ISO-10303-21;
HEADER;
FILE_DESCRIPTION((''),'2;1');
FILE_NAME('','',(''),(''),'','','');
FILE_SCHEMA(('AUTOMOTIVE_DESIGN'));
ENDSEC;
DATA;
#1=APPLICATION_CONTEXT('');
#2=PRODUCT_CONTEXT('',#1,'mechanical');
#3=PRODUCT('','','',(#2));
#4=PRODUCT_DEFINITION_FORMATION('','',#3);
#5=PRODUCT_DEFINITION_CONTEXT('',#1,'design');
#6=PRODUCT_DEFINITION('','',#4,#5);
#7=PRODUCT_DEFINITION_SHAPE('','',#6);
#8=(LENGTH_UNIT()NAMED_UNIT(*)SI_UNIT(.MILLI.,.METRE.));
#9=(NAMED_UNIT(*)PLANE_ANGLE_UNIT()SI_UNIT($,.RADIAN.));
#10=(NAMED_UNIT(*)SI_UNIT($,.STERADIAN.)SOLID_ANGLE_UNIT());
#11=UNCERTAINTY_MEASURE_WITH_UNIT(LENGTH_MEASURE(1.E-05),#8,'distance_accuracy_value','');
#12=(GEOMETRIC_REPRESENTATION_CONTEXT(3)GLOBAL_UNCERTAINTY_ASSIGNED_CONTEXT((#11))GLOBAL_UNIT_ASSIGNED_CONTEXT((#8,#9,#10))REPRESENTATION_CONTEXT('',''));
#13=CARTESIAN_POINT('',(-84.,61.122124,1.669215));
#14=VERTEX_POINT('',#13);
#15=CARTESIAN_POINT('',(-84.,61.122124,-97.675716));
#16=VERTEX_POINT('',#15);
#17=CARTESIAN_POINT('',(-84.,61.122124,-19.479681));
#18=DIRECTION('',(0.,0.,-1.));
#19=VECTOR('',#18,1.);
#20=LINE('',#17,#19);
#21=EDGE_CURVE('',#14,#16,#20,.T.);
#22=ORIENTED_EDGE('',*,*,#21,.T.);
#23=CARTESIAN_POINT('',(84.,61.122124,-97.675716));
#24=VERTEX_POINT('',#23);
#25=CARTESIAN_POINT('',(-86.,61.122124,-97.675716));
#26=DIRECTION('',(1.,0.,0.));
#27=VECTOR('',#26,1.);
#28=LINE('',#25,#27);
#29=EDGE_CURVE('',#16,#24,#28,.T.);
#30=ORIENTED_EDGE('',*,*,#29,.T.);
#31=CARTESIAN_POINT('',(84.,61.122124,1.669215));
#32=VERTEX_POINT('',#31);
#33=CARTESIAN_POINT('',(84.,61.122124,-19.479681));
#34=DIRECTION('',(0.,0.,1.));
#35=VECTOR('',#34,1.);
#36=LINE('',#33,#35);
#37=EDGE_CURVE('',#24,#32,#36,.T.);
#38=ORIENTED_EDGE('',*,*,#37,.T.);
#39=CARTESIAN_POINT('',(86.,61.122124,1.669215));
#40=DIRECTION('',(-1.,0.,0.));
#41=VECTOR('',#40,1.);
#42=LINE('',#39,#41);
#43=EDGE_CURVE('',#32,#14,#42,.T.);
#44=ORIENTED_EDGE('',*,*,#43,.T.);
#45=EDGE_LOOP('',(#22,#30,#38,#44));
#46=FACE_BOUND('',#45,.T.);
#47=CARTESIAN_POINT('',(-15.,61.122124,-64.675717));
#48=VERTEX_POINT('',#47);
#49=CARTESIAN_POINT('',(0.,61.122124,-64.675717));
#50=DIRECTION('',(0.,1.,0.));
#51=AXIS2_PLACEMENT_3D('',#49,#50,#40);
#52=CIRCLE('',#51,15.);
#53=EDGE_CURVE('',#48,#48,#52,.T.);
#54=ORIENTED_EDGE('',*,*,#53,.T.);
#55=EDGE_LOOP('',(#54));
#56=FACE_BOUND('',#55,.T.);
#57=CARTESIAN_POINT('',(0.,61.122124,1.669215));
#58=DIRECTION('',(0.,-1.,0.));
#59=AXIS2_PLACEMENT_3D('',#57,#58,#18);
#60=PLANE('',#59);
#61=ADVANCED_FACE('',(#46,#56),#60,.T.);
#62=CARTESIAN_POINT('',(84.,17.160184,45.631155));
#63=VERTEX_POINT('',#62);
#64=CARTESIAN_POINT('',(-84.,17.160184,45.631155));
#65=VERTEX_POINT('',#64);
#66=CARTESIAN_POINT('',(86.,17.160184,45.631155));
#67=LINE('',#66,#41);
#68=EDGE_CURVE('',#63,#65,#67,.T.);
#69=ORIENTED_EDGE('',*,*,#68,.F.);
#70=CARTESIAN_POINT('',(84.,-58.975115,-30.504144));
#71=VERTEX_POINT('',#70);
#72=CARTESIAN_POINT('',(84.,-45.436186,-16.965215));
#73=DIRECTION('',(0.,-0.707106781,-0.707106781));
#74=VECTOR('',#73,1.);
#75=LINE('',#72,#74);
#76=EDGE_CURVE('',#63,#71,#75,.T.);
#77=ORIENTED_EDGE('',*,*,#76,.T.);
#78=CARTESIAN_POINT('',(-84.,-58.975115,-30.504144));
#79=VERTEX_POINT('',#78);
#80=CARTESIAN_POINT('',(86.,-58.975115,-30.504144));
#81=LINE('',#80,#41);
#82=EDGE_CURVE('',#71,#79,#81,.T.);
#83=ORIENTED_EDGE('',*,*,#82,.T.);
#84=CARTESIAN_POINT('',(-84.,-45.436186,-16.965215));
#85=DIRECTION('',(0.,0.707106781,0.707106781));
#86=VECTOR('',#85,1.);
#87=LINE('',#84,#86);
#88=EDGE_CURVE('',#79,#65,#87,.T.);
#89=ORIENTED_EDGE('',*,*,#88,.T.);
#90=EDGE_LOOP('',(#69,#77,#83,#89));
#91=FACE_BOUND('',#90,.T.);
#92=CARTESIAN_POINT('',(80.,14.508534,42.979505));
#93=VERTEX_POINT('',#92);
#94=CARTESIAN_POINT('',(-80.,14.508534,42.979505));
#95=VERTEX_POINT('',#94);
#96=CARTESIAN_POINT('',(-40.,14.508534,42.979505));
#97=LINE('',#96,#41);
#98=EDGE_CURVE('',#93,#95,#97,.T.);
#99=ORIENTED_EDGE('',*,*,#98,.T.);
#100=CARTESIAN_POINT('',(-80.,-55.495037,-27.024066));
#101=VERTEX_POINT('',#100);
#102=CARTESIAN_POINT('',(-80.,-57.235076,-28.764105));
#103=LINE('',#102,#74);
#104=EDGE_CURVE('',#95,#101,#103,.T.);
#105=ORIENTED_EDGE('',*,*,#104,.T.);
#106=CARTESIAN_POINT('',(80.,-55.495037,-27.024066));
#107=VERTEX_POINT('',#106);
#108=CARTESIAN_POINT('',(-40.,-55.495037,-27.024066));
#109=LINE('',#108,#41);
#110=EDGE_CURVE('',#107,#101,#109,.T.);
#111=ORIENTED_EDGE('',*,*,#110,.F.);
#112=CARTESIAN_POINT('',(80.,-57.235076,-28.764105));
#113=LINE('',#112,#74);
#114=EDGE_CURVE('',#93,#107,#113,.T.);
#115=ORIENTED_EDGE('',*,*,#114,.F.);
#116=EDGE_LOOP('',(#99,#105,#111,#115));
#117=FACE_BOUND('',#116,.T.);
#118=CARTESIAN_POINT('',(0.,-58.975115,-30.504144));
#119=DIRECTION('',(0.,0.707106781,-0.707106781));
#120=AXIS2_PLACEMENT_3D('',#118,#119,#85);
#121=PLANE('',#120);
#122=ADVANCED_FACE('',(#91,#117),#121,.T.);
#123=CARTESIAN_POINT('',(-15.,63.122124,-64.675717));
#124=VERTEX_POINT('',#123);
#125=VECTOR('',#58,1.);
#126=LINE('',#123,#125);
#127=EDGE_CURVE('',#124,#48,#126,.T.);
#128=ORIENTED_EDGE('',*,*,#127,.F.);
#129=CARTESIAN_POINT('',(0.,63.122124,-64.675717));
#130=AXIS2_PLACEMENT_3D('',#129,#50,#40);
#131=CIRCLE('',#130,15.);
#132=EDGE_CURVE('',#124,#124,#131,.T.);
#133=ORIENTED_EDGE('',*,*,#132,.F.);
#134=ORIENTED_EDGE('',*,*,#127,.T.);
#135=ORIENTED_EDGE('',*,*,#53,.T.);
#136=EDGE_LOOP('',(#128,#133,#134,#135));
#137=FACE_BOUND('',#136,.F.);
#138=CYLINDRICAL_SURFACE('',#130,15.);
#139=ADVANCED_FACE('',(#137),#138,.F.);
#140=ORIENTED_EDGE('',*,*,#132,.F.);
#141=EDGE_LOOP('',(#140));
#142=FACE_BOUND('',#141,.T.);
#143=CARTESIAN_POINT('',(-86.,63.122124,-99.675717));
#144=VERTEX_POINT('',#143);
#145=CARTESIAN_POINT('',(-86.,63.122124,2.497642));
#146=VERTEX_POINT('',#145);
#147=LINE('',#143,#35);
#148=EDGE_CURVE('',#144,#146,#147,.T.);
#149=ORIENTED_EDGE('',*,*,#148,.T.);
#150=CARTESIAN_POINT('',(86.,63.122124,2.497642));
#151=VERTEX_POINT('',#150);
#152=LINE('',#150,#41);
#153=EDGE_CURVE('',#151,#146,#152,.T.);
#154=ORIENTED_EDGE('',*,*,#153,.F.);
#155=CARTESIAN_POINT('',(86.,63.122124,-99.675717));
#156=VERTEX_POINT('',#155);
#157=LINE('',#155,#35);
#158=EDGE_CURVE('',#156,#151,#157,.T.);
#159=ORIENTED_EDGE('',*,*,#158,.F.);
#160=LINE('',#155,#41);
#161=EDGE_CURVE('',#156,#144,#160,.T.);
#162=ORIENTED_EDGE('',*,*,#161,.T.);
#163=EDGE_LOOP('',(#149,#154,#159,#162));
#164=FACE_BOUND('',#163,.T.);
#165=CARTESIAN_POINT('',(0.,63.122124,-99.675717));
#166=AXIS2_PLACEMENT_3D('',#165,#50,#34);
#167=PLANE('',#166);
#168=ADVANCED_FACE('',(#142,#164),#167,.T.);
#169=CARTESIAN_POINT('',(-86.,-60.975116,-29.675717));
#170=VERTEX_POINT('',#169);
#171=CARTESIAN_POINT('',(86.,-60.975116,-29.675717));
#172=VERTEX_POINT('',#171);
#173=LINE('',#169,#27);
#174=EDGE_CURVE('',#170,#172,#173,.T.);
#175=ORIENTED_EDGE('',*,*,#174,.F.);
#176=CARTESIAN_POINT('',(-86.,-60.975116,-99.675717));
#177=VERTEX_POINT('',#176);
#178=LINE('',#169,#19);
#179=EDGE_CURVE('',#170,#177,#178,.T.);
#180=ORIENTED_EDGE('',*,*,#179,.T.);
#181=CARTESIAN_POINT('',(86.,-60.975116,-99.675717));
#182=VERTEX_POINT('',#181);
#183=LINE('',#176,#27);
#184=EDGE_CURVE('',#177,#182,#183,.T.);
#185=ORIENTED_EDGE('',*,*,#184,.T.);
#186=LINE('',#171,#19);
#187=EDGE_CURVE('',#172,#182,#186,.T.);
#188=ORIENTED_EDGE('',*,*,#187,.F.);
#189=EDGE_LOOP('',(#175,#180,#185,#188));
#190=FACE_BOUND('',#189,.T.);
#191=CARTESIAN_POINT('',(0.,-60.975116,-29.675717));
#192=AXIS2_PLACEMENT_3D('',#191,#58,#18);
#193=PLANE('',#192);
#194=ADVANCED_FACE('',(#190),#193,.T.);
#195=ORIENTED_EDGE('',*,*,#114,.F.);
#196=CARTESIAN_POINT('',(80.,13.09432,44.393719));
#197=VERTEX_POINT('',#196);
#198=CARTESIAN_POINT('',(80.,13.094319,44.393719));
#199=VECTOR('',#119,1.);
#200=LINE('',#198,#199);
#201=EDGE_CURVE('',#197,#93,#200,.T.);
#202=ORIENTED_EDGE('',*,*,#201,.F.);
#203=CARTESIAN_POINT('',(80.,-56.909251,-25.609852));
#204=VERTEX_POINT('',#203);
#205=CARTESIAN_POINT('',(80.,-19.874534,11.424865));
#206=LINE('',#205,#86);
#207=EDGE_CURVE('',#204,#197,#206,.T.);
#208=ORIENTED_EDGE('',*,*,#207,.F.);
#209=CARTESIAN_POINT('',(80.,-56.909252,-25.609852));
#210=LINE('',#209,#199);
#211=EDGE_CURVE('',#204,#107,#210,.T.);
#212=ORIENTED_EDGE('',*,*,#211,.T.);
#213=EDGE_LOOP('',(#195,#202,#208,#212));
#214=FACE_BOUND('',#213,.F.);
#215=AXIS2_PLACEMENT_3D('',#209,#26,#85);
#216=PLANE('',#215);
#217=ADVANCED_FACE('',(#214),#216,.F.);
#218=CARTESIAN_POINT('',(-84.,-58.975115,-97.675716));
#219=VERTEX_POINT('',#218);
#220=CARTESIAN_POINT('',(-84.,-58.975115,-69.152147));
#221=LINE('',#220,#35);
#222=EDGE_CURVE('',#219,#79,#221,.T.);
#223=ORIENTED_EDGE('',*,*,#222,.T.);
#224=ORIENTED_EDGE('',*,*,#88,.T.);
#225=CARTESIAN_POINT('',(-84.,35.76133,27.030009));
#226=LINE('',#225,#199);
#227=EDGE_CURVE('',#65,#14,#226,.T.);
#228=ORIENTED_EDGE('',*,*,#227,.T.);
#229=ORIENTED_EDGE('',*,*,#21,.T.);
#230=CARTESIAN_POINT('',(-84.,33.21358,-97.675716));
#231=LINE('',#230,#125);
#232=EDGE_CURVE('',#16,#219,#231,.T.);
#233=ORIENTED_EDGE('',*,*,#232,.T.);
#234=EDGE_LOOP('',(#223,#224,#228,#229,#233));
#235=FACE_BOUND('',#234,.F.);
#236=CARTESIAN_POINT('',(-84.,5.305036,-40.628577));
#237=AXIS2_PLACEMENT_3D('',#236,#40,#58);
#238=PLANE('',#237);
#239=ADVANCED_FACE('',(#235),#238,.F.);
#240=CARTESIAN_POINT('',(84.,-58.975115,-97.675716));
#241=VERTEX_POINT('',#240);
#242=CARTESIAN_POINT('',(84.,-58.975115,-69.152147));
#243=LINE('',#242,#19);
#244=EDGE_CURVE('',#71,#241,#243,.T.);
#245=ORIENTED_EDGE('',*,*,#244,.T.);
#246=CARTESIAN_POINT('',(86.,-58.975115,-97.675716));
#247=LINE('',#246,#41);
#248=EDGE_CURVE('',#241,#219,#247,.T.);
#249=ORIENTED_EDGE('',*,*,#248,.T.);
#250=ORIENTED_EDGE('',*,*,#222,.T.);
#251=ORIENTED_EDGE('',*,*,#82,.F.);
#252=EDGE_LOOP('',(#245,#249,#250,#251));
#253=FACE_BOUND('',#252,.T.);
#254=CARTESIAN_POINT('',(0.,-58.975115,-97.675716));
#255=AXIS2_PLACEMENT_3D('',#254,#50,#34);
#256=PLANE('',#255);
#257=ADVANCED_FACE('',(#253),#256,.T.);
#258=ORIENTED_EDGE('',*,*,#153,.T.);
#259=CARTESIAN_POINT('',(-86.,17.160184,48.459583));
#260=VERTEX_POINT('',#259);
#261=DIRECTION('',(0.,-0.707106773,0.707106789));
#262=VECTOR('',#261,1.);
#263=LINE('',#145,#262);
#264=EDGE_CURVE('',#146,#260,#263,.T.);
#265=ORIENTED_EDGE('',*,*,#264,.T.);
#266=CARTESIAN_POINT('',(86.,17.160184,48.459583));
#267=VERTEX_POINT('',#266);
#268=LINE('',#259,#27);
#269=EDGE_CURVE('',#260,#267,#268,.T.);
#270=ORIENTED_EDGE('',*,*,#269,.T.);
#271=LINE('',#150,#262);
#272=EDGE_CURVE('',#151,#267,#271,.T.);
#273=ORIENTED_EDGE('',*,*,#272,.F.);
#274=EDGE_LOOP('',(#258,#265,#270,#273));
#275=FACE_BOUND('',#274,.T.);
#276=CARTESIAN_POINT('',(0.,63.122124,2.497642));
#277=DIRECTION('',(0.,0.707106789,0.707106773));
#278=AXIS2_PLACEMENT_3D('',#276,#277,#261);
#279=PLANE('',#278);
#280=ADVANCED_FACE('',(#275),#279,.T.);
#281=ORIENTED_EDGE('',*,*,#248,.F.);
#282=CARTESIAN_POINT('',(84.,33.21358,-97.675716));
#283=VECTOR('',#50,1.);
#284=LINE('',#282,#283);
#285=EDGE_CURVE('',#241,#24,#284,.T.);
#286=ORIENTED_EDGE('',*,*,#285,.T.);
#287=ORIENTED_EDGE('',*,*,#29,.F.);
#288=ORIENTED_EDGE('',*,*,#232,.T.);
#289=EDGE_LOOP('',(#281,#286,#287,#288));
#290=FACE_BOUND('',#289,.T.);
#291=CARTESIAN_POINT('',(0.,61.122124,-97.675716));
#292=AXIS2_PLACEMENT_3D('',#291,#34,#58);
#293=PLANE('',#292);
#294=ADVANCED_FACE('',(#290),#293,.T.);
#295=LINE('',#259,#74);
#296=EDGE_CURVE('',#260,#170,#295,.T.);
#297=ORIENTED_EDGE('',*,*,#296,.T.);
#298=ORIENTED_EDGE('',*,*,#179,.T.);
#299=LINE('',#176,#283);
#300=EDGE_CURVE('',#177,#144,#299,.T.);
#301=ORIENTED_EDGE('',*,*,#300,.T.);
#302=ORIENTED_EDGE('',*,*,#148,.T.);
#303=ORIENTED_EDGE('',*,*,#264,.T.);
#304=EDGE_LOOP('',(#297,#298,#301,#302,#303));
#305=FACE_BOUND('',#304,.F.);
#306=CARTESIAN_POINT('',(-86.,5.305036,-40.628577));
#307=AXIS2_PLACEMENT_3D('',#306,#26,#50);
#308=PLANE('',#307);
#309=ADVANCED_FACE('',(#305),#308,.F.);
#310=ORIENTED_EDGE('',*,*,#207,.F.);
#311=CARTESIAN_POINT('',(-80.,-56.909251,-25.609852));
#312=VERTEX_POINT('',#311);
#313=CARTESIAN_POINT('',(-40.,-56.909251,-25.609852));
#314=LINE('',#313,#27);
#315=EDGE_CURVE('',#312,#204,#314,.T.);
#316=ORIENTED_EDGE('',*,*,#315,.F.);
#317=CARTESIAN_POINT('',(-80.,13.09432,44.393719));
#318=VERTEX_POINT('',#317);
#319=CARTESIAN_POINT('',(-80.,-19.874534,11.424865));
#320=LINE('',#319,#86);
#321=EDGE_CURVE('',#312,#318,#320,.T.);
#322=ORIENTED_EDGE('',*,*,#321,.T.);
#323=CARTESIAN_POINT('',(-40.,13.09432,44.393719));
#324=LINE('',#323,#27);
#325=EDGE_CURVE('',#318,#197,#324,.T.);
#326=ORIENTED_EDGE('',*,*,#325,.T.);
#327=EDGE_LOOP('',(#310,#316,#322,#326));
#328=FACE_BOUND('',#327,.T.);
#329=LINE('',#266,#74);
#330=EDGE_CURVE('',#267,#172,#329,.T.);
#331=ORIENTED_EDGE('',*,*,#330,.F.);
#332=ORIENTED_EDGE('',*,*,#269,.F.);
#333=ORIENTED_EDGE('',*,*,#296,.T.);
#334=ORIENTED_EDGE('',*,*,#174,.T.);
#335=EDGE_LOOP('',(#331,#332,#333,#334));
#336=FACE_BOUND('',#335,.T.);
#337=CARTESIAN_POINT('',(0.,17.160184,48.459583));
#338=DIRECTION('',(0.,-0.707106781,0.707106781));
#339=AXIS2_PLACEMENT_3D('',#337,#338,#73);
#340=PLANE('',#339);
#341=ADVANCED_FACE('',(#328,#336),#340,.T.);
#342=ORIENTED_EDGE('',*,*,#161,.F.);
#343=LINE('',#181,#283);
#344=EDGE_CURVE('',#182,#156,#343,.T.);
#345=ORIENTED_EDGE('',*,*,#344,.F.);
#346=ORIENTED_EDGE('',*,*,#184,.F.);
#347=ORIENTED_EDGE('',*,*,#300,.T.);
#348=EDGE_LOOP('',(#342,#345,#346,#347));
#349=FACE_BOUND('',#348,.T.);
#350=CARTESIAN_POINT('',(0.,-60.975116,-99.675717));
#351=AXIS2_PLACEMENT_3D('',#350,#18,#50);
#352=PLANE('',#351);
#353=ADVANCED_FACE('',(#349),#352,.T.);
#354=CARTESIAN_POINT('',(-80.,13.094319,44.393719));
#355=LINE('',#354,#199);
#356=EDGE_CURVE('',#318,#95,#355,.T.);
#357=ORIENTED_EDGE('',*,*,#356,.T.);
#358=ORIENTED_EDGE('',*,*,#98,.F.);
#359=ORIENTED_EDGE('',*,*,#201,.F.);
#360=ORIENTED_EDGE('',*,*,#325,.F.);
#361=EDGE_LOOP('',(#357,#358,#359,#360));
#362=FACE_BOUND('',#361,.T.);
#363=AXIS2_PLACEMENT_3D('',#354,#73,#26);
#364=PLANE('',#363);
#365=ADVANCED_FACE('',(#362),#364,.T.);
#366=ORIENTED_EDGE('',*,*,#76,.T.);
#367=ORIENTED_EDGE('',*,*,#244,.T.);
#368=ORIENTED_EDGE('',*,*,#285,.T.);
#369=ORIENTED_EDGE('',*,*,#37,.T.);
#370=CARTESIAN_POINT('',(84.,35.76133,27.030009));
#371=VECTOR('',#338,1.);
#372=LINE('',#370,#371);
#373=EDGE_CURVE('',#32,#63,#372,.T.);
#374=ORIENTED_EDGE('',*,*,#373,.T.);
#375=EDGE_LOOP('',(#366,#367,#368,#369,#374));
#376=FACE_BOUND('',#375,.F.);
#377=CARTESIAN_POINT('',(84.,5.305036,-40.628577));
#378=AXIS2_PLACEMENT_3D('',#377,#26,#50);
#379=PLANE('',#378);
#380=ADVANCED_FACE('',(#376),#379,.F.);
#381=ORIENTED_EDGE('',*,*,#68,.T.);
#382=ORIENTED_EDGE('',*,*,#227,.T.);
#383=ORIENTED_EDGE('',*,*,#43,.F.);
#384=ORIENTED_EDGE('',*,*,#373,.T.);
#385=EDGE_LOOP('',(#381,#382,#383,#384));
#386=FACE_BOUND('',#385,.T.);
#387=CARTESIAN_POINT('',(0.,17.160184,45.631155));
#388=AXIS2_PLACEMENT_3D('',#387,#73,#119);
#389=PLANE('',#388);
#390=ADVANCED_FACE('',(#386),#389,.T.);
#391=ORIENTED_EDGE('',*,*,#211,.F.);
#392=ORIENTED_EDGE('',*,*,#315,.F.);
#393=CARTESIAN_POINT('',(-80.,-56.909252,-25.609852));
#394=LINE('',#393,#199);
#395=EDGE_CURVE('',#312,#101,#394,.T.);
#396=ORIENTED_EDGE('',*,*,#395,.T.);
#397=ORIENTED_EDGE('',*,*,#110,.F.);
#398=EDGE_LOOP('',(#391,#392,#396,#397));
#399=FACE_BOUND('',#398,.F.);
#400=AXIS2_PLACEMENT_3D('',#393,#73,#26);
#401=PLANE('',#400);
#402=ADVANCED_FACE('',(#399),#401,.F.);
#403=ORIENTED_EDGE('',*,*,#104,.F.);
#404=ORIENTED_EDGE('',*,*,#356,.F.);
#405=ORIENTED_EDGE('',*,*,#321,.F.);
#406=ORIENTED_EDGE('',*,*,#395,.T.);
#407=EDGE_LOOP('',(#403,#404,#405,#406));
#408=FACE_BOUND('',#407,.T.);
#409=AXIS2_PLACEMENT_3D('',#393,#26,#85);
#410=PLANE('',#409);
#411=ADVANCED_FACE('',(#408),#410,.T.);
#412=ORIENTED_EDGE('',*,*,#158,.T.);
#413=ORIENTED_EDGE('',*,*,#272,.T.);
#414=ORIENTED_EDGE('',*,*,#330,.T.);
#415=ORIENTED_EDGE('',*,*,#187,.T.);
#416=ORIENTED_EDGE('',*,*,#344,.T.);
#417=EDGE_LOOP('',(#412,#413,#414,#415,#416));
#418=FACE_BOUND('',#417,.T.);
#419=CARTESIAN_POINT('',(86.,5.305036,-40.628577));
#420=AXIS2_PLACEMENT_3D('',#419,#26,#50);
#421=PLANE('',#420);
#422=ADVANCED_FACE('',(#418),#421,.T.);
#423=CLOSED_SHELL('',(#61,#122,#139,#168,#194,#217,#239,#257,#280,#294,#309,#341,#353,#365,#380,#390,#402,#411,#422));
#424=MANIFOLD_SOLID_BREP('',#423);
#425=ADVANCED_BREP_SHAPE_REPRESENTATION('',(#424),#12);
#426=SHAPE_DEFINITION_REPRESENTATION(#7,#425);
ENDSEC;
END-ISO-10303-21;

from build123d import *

# Parameters (mm, degrees)
F1_DEPTH = 86
F2_W     = 160
F2_H     = 99
F3_DEPTH = 25
F4_R     = 15
F5_DEPTH = 25
F7_DEPTH = 2
F9_DEPTH = 2


with BuildPart() as f1:
    # F0 (on Right) → F1 (new body, symmetric)
    with BuildSketch(Plane.YZ):
        Polygon((63.122124, 2.497642), (17.160184, 48.459583), (-60.975116, -29.675717), (-60.975116, -99.675717), (63.122124, -99.675717), align=None)
        Polygon((61.122124, -97.675716), (-58.975115, -97.675716), (-58.975115, -30.504144), (17.160184, 45.631155), (61.122124, 1.669215), align=None, mode=Mode.SUBTRACT)
    extrude(amount=F1_DEPTH, both=True)

    # F2 (on face) → F3 (cut)
    with BuildSketch(Plane(origin=(0, -15.6497, 15.6497), x_dir=(1, 0, 0), z_dir=(0, -0.707107, 0.707107))):
        with Locations((0, -8.849818)):
            Rectangle(F2_W, F2_H)
    extrude(amount=-F3_DEPTH, mode=Mode.SUBTRACT)

    # F4 (on face) → F5 (cut)
    with BuildSketch(Plane(origin=(0, 63.122124, 0), x_dir=(-1, 0, 0), z_dir=(0, 1, 0))):
        with Locations((0, -64.675717)):
            Circle(F4_R)
    extrude(amount=-F5_DEPTH, mode=Mode.SUBTRACT)

    # F6 (on face) → F7 (join)
    with BuildSketch(Plane.YZ.offset(86)):
        Polygon((63.122124, 2.497642), (17.160184, 48.459583), (-60.975116, -29.675717), (-60.975116, -99.675717), (63.122124, -99.675717), align=None)
    extrude(amount=-F7_DEPTH)

    # F8 (on face) → F9 (join)
    with BuildSketch(Plane(origin=(-86, 0, 0), x_dir=(0, -1, 0), z_dir=(-1, 0, 0))):
        Polygon((-17.160184, 48.459583), (-63.122124, 2.497642), (-63.122124, -99.675717), (60.975116, -99.675717), (60.975116, -29.675717), align=None)
    extrude(amount=-F9_DEPTH)


solid = f1.part
